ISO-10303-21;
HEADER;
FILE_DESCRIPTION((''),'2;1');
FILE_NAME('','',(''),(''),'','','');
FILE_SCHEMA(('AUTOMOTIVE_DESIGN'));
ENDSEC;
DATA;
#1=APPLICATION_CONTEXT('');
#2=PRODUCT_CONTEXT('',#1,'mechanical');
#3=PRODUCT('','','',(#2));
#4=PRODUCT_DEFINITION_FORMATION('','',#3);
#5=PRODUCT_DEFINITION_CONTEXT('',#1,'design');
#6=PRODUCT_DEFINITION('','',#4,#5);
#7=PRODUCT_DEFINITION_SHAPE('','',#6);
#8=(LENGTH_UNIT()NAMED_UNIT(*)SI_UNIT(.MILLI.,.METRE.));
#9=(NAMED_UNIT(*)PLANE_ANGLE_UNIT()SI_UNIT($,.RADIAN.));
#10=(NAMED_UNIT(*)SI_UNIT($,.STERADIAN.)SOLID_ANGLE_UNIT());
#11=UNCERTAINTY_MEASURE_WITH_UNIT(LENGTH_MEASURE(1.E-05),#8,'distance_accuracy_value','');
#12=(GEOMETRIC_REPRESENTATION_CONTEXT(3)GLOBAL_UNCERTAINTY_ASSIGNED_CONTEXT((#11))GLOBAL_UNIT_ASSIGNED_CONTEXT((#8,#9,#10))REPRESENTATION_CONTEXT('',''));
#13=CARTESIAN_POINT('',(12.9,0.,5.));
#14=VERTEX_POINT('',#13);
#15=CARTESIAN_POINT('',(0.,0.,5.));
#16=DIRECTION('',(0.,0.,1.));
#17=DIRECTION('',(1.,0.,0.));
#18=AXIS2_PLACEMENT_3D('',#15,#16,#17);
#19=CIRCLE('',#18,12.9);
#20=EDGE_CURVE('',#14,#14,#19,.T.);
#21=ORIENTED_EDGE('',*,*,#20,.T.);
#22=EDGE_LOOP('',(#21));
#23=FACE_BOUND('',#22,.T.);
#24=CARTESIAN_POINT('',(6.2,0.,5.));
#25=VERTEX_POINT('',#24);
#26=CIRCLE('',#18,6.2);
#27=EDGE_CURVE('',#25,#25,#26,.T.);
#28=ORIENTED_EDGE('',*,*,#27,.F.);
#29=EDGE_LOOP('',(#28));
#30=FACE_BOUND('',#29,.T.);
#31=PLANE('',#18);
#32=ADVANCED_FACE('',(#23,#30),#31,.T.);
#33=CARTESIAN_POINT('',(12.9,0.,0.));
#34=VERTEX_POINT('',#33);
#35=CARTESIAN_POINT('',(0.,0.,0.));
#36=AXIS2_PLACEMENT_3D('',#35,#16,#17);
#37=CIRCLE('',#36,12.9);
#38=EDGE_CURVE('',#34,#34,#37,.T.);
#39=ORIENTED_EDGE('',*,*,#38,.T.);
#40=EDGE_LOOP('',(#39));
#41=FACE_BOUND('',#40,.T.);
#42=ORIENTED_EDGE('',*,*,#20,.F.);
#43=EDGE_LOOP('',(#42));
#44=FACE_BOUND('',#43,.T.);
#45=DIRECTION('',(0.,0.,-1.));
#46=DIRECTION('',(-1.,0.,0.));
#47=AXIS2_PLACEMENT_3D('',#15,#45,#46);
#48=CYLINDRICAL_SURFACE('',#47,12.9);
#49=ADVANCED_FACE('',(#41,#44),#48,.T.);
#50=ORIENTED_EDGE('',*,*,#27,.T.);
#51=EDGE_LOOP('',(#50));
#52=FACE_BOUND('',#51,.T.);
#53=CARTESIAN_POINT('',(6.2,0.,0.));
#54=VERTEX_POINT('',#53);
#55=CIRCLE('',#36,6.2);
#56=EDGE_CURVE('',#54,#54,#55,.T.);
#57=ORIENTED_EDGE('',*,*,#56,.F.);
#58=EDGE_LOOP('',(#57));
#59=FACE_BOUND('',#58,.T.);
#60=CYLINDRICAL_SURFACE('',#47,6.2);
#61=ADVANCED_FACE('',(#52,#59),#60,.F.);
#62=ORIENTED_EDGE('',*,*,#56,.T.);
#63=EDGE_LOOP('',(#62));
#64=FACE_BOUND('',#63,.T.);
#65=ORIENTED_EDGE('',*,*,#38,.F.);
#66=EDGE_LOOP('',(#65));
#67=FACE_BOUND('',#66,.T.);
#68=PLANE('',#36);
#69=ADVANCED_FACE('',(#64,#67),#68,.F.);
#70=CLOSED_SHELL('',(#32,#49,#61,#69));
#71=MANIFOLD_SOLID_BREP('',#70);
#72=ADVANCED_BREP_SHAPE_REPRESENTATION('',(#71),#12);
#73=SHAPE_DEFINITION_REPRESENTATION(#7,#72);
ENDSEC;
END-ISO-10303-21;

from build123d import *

# Parameters (mm, degrees)
ESQUISSE1_R        = 12.9
ESQUISSE1_R_2      = 6.2
BOSS_EXTRU_1_DEPTH = 5


with BuildPart() as part:
    # Esquisse1 → Boss.-Extru.1 (new body)
    with BuildSketch(Plane.XY):
        Circle(ESQUISSE1_R)
        Circle(ESQUISSE1_R_2, mode=Mode.SUBTRACT)
    extrude(amount=BOSS_EXTRU_1_DEPTH)


solid = part.part
